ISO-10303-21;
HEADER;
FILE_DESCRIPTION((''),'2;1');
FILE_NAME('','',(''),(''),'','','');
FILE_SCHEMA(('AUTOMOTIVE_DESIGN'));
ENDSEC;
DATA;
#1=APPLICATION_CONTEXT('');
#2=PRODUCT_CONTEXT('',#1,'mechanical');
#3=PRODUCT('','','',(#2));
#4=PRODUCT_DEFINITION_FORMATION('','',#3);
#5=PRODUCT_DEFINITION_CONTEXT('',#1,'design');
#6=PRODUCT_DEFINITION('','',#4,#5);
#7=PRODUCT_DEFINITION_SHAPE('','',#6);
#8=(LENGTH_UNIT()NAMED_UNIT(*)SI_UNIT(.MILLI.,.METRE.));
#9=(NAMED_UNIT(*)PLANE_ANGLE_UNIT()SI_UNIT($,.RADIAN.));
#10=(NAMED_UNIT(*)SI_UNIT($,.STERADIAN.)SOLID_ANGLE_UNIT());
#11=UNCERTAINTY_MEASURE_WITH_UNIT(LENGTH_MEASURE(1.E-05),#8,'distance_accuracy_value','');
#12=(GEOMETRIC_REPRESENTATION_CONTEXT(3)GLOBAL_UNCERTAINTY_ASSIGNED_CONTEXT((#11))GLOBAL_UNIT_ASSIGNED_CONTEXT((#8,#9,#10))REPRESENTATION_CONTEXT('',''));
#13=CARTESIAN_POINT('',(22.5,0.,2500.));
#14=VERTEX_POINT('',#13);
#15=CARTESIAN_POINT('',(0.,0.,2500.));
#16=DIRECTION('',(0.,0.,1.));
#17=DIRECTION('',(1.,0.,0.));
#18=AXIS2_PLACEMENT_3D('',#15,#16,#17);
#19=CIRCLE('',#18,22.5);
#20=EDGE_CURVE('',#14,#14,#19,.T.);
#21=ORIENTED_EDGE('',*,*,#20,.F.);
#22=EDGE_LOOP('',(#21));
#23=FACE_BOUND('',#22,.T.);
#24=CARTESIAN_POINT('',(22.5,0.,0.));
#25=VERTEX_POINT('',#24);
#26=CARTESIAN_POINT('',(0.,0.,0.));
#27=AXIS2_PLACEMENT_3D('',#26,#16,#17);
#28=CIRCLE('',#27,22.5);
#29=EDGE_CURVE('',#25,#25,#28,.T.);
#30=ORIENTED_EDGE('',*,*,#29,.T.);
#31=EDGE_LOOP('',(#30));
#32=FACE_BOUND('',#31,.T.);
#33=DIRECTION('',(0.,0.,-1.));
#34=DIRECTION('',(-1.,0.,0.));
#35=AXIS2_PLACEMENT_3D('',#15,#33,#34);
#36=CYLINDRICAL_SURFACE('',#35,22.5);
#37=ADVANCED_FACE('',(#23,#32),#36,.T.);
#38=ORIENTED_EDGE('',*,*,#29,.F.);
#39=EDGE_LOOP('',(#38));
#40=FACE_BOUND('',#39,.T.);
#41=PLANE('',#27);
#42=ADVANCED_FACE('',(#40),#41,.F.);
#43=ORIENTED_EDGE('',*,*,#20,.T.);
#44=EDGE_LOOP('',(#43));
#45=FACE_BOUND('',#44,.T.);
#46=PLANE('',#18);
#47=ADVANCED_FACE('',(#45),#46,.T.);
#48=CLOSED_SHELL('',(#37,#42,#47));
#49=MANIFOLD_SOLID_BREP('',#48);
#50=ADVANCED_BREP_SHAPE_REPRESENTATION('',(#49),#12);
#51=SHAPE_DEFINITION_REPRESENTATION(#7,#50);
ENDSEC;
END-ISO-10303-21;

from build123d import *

# Parameters (mm, degrees)
SKETCH2_R           = 22.5
BOSS_EXTRUDE1_DEPTH = 2500


with BuildPart() as part:
    # Sketch2 → Boss-Extrude1 (new body)
    with BuildSketch(Plane.XY):
        Circle(SKETCH2_R)
    extrude(amount=BOSS_EXTRUDE1_DEPTH)


solid = part.part
